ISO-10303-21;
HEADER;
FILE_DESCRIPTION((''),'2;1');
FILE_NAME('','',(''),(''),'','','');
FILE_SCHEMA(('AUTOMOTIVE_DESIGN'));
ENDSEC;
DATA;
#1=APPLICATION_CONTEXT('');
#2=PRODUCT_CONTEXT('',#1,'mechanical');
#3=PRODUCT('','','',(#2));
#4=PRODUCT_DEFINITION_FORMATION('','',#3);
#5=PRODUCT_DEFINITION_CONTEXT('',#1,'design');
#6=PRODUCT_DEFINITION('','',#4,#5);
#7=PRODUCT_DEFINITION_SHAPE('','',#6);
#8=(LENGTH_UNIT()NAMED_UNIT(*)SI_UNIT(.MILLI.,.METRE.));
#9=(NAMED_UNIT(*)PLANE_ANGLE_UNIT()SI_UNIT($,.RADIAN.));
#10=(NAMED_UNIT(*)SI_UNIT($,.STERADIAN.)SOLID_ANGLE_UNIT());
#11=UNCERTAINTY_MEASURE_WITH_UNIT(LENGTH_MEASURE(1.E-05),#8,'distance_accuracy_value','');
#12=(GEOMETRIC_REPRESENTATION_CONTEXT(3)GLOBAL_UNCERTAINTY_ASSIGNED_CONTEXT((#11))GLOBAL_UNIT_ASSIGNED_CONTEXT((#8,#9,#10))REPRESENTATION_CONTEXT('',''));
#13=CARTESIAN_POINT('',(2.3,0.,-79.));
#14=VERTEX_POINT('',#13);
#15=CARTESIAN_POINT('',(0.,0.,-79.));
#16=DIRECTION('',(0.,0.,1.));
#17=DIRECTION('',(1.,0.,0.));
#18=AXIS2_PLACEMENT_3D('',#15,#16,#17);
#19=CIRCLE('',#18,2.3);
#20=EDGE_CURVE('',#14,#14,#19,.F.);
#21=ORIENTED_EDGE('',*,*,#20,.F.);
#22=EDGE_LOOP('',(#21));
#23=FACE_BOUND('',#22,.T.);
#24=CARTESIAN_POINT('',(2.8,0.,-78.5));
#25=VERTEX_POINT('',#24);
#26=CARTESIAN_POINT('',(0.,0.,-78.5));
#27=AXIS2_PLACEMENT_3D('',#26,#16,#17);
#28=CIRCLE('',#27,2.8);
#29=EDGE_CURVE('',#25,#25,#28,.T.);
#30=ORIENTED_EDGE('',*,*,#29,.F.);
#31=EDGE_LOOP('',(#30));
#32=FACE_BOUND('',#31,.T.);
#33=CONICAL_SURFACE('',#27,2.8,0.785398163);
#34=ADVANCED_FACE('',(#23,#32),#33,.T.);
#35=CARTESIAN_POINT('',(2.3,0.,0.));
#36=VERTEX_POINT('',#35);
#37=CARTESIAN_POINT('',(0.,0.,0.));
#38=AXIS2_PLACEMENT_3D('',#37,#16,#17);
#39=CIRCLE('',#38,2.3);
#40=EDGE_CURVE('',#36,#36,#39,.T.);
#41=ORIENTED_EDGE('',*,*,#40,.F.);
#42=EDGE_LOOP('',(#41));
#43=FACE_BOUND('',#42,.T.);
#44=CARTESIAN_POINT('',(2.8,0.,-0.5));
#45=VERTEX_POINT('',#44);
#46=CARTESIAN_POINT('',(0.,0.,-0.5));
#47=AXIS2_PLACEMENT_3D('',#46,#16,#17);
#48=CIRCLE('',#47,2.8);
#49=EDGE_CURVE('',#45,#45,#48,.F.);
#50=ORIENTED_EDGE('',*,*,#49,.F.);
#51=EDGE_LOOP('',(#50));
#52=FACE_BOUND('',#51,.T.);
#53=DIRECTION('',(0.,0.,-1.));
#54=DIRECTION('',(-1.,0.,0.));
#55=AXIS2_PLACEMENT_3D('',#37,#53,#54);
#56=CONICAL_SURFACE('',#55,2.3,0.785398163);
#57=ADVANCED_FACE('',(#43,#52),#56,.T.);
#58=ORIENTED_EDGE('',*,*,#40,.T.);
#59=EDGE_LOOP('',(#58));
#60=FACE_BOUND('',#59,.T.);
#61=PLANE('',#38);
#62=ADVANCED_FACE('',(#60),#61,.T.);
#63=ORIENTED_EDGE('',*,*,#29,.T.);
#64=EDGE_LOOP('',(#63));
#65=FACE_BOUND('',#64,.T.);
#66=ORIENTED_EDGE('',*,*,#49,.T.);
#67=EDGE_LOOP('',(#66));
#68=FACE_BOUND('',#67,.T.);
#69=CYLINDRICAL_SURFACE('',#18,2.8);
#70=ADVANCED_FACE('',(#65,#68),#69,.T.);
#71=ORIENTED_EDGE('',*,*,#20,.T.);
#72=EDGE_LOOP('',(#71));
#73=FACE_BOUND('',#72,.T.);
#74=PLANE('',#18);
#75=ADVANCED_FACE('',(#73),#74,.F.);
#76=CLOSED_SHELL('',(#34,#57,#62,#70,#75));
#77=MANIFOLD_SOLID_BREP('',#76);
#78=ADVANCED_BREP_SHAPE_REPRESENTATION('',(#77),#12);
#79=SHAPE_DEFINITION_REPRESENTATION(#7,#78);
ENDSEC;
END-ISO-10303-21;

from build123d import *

# Parameters (mm, degrees)
SKETCH1_R           = 2.8
BOSS_EXTRUDE1_DEPTH = 79
CHAMFER1_SIZE       = 0.5


with BuildPart() as part:
    # Sketch1 → Boss-Extrude1 (new body)
    with BuildSketch(Plane.XY):
        Circle(SKETCH1_R)
    extrude(amount=-BOSS_EXTRUDE1_DEPTH)

    # Chamfer1
    chamfer1_edges = [part.edges().sort_by_distance(p)[0] for p in [
        (-2.8, 0, 0),
        (-2.8, 0, -79),
    ]]
    chamfer(chamfer1_edges, length=CHAMFER1_SIZE)


solid = part.part
